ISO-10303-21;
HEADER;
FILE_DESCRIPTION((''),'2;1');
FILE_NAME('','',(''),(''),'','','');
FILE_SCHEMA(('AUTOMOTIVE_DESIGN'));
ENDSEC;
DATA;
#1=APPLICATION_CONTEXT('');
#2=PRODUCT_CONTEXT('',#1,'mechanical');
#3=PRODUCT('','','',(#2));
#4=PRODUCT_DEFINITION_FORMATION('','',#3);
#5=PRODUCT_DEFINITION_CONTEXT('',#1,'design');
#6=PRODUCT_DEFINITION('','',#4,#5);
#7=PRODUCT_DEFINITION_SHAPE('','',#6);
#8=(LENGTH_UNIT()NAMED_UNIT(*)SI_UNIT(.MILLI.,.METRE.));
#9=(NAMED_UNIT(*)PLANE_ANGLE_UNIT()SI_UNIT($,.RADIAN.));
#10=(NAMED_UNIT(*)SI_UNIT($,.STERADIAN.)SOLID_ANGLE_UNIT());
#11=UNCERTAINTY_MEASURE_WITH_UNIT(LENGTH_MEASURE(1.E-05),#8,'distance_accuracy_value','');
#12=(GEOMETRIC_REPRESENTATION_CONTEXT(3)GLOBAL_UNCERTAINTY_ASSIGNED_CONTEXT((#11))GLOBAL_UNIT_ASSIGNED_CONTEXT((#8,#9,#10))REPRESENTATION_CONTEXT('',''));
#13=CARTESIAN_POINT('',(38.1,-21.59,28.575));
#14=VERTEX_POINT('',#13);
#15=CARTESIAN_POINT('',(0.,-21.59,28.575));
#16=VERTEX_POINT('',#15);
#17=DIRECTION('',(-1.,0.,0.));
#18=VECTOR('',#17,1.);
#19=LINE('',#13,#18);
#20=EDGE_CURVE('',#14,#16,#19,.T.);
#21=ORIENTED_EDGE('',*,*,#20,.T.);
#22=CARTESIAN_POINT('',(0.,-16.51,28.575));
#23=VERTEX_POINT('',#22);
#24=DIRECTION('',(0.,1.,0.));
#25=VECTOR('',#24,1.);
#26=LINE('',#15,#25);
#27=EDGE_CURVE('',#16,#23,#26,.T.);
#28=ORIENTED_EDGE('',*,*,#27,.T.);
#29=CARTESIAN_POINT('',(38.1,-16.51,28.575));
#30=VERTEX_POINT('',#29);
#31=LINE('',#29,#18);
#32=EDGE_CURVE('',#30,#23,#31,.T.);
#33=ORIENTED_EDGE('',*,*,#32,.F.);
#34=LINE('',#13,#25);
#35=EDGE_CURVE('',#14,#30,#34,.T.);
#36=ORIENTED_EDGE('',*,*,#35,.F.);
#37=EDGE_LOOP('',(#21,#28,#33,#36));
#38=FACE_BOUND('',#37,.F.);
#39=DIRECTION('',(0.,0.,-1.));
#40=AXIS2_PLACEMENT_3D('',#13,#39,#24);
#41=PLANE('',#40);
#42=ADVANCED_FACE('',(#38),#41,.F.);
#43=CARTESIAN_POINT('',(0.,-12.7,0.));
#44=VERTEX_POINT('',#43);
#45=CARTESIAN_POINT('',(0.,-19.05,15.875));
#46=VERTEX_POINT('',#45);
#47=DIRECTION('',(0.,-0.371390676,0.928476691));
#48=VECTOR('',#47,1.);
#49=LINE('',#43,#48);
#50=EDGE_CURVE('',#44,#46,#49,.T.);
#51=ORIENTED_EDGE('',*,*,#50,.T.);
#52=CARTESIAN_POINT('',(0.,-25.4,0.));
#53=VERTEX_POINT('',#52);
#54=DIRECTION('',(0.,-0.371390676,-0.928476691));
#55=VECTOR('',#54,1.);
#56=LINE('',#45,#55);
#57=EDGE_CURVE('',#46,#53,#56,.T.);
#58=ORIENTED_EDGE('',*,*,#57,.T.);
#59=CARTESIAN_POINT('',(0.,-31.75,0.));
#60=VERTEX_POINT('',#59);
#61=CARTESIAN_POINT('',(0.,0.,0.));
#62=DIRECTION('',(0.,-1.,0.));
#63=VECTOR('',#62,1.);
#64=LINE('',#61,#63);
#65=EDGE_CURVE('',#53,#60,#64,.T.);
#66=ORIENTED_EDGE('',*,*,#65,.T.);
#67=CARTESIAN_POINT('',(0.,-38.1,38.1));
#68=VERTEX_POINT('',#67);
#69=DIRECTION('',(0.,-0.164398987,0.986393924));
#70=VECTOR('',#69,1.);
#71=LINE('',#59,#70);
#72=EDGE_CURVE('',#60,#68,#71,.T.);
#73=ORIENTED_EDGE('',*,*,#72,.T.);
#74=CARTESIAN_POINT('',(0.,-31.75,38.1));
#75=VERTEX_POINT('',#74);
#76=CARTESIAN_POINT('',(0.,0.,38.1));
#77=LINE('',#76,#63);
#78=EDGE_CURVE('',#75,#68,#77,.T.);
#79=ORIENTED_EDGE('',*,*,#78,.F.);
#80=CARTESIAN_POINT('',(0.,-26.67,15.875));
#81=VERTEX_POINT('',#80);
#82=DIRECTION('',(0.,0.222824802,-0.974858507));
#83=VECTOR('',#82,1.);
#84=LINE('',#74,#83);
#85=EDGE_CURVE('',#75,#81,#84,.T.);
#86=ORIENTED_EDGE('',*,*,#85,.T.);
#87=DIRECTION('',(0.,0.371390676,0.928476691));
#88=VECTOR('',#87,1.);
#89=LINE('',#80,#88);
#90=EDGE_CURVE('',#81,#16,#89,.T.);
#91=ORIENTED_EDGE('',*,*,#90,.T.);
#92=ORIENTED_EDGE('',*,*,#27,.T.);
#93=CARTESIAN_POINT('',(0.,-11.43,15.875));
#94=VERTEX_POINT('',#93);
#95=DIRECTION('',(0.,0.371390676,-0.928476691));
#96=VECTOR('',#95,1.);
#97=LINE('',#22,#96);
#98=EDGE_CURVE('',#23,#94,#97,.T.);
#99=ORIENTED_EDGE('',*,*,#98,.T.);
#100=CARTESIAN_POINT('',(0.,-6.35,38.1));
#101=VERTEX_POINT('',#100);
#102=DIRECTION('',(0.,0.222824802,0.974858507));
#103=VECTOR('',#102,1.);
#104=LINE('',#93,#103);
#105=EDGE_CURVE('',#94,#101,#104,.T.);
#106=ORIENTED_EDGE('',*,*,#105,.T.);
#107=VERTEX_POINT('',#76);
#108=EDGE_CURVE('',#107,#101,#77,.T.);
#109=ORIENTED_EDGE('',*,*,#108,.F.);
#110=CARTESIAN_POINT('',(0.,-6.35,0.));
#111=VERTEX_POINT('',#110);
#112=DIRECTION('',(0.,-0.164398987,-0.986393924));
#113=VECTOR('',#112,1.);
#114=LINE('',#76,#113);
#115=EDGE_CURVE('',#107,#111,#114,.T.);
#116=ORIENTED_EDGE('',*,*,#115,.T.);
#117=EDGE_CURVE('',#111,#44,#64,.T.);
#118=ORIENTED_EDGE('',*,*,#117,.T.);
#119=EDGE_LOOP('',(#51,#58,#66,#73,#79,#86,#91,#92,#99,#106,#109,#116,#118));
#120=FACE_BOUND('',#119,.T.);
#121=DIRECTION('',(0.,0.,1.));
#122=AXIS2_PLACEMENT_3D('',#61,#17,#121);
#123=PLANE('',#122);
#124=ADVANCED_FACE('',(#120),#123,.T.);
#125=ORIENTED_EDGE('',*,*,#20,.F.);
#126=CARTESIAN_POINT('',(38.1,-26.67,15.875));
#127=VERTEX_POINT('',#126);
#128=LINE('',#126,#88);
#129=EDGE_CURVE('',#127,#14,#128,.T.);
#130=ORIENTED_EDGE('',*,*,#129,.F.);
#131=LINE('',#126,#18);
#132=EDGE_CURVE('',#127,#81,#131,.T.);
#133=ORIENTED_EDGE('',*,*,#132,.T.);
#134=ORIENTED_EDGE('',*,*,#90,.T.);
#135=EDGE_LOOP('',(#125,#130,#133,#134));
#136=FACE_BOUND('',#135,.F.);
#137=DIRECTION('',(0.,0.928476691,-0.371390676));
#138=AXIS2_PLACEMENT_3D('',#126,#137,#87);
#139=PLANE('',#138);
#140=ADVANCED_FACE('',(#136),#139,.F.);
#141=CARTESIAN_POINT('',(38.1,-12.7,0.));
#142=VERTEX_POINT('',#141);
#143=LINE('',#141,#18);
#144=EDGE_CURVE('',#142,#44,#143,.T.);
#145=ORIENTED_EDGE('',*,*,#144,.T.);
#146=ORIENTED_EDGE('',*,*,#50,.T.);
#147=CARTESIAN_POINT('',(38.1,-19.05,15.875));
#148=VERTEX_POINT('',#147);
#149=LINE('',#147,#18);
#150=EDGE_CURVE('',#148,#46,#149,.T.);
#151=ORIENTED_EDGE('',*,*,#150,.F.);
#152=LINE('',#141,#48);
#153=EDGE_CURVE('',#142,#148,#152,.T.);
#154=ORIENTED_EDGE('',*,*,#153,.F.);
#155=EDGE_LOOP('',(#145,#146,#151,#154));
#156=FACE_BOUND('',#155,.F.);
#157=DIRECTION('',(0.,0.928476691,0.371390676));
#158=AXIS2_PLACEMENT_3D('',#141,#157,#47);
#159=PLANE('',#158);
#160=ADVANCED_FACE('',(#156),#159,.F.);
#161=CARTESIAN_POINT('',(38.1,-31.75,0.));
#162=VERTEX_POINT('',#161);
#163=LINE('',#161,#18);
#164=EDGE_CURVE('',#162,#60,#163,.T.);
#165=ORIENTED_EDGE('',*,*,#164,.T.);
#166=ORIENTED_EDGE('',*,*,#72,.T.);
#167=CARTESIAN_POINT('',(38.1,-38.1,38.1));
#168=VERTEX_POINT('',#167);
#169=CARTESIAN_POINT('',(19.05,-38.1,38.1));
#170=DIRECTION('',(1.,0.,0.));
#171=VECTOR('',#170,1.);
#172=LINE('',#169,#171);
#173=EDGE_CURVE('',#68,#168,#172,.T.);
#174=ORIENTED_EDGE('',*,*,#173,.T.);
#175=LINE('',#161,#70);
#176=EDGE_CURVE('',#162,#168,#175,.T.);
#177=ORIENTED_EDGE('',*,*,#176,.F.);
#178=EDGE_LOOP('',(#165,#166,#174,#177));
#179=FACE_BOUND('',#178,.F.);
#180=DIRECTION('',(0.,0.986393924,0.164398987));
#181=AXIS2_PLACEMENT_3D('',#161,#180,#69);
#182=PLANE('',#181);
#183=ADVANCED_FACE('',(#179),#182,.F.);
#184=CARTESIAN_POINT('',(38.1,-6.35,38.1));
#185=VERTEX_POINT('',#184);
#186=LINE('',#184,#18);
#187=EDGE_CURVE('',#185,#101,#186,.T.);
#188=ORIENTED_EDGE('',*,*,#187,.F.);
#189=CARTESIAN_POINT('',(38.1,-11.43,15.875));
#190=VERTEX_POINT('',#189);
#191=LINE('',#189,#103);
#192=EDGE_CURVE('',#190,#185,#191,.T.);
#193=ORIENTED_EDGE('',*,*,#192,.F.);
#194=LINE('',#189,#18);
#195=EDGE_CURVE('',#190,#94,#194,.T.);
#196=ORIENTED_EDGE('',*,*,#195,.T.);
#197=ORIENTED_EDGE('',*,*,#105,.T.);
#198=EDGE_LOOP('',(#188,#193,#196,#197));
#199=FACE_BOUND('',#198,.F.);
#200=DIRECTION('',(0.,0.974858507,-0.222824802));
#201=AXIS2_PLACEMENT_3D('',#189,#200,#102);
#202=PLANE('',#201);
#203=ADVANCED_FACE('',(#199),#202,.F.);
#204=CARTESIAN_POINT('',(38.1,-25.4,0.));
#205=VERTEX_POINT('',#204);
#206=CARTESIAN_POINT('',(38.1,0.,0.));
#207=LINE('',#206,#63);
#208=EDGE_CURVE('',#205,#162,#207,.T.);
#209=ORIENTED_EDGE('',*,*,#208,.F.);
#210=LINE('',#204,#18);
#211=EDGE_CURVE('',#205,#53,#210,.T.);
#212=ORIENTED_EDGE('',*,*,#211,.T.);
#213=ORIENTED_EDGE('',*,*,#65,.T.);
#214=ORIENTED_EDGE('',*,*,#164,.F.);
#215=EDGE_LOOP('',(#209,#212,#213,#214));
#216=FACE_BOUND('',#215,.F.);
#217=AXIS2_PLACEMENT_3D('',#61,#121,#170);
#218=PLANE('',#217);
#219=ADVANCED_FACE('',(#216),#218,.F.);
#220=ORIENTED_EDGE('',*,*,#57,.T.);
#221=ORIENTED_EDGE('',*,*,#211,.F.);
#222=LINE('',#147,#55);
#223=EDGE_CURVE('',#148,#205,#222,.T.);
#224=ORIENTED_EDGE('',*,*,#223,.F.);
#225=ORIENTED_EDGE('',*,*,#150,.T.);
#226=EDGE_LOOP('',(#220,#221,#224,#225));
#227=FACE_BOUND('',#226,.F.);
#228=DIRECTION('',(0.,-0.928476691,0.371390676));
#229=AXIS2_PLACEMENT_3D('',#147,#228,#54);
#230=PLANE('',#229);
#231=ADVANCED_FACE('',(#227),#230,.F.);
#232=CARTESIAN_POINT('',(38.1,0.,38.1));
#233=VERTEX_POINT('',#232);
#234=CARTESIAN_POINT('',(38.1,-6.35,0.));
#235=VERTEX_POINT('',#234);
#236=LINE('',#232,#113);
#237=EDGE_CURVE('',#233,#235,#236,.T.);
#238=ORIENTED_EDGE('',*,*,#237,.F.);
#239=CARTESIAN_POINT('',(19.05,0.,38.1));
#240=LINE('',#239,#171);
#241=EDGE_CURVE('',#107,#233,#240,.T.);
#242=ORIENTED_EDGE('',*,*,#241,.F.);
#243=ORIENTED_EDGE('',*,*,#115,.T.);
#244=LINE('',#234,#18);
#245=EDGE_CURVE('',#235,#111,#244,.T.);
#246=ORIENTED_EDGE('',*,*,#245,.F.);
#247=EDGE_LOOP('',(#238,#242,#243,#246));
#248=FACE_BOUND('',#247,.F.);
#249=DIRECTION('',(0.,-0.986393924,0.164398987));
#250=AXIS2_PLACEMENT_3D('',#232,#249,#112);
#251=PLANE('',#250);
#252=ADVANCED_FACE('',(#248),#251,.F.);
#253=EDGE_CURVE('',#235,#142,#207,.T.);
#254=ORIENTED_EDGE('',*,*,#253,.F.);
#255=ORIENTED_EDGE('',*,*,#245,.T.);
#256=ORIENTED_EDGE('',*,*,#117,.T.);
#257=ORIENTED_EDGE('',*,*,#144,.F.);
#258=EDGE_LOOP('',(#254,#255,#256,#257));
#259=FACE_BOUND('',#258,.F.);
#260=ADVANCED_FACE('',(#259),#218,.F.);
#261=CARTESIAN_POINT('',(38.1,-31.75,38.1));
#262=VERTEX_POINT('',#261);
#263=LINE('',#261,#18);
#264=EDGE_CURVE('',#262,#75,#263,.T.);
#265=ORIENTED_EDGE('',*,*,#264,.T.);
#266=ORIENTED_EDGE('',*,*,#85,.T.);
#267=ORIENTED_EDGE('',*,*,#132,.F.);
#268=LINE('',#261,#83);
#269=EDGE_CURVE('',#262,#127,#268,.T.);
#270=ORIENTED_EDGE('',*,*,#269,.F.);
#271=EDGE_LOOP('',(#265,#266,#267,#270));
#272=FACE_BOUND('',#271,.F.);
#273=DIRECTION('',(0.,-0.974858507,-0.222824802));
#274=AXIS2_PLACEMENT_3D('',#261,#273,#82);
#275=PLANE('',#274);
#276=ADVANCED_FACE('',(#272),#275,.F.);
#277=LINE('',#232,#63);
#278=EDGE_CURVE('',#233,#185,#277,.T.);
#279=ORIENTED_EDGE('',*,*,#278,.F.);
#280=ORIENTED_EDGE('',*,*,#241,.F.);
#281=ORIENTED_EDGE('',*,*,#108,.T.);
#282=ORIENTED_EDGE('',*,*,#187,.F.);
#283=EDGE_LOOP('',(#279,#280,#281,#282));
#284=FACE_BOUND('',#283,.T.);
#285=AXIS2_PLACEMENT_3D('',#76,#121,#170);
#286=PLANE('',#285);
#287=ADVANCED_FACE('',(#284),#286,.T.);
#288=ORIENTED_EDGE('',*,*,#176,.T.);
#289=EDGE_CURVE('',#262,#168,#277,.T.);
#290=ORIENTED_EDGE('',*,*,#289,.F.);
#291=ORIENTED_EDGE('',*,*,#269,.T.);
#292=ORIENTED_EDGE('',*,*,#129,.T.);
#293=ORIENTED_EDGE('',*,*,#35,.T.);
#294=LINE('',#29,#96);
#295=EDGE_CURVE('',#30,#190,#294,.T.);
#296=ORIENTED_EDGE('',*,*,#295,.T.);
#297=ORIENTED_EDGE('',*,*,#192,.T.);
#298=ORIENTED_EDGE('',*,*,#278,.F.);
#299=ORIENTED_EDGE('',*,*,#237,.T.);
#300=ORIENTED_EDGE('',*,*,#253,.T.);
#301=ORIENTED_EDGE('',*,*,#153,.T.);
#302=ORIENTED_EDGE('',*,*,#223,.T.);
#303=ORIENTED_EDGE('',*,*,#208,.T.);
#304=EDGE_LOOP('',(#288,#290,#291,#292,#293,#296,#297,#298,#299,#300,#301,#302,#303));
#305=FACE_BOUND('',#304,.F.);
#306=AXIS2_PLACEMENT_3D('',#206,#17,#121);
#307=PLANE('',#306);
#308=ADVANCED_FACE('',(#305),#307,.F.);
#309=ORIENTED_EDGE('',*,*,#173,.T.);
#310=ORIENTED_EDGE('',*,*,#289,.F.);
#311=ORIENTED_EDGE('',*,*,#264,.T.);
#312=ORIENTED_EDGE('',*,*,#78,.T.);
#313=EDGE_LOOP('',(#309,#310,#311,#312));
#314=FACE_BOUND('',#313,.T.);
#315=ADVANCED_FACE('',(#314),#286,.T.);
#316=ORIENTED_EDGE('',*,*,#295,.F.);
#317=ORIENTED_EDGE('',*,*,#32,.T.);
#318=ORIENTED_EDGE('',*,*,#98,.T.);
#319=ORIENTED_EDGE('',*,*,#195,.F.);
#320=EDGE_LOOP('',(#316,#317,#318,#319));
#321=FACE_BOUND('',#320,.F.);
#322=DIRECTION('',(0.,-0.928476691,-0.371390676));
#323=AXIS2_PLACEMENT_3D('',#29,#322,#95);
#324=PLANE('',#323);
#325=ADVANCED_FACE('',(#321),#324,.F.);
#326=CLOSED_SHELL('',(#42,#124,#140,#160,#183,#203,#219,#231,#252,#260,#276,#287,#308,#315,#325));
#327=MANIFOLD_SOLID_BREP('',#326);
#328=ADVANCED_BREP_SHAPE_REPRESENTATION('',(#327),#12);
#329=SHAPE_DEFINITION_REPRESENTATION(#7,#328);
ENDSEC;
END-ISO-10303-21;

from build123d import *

# Parameters (mm, degrees)
F0_W     = 38.1
F0_H     = 38.1
F1_DEPTH = 38.1
F5_DEPTH = 38.1


with BuildPart() as f1:
    # F0 (on Front) → F1 (new body)
    with BuildSketch(Plane.XZ):
        with Locations((19.05, 19.05)):
            Rectangle(F0_W, F0_H)
    extrude(amount=F1_DEPTH)

    # F4 (on offset) → F5 (cut)
    with BuildSketch(Plane.YZ.offset(38.1)):
        Polygon((-25.4, 0), (-12.7, 0), (-19.05, 15.875), align=None)
        Polygon((-31.75, 0), (-38.1, 38.1), (-38.1, 0), align=None)
        Polygon((-11.43, 15.875), (-6.35, 38.1), (-31.75, 38.1), (-26.67, 15.875), (-21.59, 28.575), (-16.51, 28.575), align=None)
        Polygon((0, 0), (0, 38.1), (-6.35, 0), align=None)
    extrude(amount=-F5_DEPTH, mode=Mode.SUBTRACT)


solid = f1.part
